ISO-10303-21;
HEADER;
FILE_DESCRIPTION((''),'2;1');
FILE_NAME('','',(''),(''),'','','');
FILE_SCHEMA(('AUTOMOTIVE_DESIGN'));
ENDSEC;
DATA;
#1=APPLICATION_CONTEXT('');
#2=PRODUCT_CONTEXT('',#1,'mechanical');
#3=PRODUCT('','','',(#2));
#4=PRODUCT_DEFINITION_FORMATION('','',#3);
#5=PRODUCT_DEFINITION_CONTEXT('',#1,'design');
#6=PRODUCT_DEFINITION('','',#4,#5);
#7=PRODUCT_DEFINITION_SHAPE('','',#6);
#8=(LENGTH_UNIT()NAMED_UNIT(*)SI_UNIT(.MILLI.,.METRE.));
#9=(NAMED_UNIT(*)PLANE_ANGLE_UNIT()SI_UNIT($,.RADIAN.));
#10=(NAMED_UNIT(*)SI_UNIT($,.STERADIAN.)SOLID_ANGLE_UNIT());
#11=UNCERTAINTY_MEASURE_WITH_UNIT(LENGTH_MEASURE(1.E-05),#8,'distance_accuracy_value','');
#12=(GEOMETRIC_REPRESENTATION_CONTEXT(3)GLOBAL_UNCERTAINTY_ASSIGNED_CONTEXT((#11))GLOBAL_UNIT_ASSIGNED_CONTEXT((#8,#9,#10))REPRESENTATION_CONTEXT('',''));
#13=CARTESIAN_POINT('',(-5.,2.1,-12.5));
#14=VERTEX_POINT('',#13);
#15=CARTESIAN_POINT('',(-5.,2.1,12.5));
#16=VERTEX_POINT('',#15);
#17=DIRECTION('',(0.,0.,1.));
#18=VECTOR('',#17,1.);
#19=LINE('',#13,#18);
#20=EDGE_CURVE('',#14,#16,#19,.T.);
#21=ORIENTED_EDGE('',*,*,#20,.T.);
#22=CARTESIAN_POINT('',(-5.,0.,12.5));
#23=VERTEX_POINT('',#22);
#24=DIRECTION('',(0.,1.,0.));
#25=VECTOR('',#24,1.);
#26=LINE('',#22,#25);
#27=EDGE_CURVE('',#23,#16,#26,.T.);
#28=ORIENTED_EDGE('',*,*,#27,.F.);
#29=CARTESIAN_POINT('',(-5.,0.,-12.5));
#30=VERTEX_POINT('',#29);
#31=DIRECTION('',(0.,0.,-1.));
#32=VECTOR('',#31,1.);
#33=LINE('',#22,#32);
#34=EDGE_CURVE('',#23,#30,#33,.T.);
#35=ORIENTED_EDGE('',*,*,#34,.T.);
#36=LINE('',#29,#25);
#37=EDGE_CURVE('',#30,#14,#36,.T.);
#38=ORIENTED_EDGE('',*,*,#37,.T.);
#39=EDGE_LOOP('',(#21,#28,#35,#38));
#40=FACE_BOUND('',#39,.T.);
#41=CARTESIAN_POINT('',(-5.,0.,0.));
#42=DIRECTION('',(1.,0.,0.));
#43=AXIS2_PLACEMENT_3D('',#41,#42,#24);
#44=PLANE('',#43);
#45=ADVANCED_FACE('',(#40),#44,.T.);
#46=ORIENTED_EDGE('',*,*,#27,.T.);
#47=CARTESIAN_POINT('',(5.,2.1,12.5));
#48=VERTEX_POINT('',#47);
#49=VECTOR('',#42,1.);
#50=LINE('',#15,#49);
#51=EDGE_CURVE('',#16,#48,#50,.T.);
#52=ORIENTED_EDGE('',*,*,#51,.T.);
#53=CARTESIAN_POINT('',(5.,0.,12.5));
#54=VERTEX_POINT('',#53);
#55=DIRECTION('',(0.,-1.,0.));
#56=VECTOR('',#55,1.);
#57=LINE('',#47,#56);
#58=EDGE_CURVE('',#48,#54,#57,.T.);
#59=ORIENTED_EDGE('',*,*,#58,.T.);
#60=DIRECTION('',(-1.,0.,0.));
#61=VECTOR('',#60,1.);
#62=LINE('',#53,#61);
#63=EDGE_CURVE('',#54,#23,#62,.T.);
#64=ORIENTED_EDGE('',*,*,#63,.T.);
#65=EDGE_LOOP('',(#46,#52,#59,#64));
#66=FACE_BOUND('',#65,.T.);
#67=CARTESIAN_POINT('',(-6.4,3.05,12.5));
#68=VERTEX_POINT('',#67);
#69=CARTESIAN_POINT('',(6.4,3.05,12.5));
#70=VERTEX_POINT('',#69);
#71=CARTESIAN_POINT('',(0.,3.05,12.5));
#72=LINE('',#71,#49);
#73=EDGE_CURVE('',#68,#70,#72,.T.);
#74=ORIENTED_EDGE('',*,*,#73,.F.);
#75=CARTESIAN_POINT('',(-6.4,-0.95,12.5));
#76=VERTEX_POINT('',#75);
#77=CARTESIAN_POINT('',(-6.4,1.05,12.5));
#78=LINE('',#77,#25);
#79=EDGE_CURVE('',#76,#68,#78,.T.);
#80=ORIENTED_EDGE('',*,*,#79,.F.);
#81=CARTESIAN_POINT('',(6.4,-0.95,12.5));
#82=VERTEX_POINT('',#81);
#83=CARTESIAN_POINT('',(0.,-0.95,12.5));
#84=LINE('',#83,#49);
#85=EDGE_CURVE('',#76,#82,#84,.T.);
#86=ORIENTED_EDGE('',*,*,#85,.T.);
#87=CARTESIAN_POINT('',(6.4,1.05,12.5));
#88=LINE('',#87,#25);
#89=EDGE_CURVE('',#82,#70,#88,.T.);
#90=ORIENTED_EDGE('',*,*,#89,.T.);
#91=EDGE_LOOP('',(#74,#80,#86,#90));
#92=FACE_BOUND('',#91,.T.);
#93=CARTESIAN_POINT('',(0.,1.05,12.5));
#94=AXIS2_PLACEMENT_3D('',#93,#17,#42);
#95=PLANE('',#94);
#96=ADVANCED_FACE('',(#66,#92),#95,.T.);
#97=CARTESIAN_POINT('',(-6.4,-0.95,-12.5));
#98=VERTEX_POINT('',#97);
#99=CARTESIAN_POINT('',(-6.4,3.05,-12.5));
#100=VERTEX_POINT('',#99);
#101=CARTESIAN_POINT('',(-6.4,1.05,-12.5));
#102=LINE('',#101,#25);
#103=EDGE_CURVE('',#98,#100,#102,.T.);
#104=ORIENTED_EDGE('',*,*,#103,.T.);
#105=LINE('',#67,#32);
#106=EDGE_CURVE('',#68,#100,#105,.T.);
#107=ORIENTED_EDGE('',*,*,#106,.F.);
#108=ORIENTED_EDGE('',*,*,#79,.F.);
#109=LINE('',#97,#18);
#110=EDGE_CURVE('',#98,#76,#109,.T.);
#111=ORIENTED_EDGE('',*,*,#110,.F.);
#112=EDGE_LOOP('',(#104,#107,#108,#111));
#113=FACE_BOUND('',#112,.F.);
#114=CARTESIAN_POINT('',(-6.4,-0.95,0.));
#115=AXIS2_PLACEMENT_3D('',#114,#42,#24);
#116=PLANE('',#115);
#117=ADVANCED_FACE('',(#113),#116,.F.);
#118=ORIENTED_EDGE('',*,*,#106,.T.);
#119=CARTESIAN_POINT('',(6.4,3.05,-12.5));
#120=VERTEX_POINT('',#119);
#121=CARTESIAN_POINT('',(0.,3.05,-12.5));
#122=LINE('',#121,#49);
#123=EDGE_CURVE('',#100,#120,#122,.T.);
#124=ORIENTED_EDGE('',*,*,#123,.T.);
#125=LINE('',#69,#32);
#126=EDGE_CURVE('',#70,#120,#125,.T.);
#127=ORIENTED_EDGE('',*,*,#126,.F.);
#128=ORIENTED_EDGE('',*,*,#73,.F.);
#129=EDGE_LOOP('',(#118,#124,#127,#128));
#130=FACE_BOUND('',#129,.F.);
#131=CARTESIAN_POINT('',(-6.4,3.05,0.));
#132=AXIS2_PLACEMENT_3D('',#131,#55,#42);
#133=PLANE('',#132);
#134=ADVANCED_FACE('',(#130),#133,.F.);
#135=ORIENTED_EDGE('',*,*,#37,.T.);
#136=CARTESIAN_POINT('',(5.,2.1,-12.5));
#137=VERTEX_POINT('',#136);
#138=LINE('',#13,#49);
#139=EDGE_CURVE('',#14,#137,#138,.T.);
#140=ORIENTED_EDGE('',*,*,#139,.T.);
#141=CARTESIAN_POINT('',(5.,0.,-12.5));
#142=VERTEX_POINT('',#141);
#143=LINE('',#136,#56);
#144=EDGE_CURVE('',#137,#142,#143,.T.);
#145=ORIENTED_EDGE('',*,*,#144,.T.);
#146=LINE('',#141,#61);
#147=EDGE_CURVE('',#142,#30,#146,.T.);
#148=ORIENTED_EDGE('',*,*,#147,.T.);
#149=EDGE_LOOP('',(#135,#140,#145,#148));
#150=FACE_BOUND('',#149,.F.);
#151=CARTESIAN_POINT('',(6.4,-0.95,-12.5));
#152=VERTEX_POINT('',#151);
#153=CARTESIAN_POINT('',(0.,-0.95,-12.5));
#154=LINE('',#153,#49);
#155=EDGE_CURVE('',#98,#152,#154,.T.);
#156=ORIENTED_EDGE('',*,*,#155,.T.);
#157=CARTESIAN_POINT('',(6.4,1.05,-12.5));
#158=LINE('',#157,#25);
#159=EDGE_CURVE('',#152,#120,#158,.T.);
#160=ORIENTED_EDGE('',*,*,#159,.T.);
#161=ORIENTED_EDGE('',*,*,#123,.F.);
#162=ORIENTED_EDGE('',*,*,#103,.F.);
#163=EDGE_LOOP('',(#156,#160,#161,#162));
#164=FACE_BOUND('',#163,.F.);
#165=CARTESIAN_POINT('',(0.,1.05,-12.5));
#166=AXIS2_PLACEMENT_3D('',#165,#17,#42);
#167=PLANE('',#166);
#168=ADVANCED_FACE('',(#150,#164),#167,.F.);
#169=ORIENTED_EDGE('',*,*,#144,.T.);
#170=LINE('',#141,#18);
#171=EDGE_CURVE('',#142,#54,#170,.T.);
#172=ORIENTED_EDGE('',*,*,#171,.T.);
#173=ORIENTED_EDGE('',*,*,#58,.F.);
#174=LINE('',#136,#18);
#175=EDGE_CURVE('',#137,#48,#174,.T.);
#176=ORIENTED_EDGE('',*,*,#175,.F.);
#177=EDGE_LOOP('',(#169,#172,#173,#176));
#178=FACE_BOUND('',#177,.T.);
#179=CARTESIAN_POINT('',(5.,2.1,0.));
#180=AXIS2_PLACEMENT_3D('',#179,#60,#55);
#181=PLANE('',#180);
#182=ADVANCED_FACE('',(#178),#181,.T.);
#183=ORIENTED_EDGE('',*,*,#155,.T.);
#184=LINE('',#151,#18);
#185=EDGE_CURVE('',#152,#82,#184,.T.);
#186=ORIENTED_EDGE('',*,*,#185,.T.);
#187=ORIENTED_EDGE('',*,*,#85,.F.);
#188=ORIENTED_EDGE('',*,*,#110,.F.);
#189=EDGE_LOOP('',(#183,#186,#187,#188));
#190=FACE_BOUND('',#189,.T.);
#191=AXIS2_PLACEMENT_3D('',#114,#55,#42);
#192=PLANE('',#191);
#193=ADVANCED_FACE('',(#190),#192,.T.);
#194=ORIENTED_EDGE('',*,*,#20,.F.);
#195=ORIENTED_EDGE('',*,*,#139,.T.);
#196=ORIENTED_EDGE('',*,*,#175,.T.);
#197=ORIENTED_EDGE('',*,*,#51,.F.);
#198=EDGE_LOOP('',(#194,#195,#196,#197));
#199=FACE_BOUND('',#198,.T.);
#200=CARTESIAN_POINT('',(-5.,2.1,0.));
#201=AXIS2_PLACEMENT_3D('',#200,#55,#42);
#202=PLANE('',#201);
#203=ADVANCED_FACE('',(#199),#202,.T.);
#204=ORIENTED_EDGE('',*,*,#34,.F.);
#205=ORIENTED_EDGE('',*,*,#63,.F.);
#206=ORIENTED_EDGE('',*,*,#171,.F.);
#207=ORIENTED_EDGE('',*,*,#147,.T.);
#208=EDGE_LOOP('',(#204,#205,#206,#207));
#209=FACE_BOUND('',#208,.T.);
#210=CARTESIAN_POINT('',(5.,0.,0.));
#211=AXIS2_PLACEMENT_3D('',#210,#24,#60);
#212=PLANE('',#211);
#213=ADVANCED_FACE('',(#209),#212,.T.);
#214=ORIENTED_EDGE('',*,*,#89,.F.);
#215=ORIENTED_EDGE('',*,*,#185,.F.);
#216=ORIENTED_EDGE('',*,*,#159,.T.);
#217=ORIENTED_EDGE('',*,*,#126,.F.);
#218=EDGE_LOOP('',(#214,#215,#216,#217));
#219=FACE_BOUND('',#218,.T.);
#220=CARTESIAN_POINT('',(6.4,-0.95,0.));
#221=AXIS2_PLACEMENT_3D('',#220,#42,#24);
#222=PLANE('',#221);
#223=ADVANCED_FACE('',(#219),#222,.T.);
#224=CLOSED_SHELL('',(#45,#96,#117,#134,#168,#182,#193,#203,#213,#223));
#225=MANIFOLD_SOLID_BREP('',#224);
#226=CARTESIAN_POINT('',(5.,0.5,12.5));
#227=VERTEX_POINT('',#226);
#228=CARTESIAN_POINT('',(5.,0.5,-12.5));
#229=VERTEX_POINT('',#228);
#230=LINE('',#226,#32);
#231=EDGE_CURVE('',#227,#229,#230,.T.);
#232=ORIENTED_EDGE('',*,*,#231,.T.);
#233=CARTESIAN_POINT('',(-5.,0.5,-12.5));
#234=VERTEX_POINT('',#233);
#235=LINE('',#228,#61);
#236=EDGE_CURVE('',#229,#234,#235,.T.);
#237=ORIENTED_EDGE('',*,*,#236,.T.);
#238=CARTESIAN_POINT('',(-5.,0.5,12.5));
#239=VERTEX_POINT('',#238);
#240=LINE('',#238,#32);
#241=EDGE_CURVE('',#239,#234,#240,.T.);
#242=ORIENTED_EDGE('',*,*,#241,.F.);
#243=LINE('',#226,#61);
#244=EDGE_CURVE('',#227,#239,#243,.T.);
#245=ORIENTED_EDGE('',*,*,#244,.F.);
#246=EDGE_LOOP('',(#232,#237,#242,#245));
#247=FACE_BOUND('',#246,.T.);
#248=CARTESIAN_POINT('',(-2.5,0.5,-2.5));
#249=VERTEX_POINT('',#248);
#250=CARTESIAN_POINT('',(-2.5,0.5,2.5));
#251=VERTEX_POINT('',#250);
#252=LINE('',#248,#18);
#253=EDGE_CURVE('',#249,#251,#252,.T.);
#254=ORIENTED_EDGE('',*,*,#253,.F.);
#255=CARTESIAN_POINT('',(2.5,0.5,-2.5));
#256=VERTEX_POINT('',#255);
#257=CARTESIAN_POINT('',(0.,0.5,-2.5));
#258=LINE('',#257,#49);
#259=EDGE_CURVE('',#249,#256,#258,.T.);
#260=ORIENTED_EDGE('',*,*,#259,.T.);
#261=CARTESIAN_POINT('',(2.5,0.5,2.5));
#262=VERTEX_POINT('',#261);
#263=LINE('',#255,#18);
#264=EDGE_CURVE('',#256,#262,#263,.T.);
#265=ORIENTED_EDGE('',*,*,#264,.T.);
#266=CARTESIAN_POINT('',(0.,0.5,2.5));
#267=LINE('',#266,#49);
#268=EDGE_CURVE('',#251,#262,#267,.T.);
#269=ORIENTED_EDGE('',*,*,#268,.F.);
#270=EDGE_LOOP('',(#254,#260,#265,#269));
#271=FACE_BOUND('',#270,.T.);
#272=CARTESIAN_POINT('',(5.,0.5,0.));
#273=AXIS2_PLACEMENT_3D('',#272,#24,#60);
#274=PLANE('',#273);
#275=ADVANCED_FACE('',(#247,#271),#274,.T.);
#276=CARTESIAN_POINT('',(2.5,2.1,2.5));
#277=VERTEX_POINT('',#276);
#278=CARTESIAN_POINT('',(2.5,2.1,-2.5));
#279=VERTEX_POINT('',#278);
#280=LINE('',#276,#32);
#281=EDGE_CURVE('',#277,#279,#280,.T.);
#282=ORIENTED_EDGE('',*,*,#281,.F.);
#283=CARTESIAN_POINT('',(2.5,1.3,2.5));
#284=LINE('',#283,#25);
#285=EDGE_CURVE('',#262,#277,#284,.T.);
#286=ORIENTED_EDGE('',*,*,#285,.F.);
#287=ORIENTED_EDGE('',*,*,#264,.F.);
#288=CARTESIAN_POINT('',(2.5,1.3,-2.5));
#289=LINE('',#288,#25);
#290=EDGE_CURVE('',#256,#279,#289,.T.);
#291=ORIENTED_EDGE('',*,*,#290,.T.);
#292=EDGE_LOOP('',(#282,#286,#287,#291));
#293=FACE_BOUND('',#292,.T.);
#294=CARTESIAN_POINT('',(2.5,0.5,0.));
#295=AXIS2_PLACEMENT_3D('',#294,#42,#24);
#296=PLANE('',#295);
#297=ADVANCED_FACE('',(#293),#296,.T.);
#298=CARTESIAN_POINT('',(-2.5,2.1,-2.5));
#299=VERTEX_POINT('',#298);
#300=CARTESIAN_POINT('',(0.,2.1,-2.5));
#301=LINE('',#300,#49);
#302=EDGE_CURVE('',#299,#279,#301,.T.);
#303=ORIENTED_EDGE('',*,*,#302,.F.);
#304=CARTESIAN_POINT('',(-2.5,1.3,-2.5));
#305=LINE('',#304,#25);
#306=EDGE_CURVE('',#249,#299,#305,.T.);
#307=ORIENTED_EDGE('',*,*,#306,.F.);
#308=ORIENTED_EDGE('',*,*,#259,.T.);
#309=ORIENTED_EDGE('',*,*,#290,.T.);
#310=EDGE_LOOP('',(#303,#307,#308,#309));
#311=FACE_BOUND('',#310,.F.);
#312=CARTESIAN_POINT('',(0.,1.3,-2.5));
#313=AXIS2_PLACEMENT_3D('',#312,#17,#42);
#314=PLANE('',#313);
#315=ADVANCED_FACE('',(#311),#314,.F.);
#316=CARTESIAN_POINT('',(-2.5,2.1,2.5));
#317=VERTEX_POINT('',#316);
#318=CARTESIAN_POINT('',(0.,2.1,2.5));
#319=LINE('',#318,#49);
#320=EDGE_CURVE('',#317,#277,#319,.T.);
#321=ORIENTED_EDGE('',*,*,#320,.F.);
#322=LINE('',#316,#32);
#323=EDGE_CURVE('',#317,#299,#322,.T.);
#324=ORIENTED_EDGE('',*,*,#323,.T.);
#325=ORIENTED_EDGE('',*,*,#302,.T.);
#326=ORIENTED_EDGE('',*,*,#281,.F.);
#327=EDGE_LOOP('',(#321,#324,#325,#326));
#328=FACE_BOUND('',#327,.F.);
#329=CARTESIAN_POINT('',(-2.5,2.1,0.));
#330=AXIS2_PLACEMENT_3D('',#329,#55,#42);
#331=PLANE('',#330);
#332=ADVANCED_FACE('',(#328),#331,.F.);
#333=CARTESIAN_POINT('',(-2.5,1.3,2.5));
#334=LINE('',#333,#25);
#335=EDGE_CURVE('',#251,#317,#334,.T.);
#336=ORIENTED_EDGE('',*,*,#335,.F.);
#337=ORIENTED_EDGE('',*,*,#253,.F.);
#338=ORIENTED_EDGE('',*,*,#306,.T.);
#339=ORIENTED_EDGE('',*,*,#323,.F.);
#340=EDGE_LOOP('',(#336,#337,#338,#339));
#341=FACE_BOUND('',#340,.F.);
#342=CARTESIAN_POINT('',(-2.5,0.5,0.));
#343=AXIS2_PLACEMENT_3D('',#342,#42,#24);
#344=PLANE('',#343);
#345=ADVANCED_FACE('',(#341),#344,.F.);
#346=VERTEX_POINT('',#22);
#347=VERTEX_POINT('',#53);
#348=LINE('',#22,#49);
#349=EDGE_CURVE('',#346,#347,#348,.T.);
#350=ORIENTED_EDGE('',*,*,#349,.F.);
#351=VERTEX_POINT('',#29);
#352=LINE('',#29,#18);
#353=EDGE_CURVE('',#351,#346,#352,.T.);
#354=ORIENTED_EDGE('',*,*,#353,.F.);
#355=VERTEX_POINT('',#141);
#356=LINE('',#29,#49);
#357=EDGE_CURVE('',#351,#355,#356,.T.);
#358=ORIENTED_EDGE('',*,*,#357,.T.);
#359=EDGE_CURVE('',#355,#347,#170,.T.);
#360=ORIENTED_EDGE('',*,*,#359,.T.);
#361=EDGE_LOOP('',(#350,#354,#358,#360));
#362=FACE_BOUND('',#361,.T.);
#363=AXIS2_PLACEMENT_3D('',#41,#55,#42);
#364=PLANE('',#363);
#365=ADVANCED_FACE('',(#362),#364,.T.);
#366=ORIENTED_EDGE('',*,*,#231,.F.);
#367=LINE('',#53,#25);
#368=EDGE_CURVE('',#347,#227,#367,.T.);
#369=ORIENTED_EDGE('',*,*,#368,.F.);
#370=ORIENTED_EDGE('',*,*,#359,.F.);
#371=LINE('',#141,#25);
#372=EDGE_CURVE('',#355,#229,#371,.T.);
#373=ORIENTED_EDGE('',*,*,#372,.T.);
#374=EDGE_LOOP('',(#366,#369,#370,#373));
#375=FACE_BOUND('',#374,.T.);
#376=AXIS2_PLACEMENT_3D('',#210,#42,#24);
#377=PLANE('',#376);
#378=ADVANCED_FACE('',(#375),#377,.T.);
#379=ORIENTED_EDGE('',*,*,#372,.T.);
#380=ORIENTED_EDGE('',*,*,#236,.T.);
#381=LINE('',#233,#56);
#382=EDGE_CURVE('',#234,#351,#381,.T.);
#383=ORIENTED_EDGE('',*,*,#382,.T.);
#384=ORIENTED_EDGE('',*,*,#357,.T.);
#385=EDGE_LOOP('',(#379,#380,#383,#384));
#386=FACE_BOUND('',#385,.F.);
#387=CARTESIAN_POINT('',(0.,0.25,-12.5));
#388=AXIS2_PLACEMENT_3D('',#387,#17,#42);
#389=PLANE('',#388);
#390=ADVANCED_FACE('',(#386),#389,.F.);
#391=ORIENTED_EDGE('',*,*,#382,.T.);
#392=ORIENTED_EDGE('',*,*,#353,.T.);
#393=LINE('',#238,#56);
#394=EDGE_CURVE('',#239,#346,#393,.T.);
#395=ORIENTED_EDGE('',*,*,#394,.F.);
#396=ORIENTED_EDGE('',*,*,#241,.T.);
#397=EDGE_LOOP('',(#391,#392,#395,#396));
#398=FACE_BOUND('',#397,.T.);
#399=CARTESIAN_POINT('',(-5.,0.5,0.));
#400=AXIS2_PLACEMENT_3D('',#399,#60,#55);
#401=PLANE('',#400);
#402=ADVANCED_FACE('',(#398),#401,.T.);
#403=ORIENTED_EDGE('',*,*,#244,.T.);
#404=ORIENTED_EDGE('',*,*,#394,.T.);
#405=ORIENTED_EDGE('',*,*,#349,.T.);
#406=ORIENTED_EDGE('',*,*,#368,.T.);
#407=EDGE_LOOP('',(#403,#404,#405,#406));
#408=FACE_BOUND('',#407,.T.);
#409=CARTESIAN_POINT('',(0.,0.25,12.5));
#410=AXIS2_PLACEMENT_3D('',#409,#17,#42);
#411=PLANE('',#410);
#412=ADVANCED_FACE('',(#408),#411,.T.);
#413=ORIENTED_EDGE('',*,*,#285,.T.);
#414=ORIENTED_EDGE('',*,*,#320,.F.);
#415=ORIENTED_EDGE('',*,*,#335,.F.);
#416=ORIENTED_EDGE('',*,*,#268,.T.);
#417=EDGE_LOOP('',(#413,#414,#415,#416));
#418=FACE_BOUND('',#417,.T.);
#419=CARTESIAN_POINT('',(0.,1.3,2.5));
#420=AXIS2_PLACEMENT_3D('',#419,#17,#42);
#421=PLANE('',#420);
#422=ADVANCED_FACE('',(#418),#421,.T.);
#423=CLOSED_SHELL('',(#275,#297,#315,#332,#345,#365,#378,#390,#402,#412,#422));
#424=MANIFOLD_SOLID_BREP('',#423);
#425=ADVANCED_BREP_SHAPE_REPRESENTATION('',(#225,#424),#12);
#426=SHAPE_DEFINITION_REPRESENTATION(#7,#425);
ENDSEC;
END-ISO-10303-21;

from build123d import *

# Parameters (mm, degrees)
F1_DEPTH = 12.5
F0_W     = 5
F0_H     = 1.6
F2_DEPTH = 2.5
F3_W     = 12.8
F3_H     = 4
F4_DEPTH = 12.5


with BuildPart() as f1:
    # F0 (on Top) → F1 (new body, symmetric)
    with BuildSketch(Plane.XY):
        Polygon((-2.5, 0.5), (-5, 0.5), (-5, 0), (5, 0), (5, 0.5), (2.5, 0.5), align=None)
    extrude(amount=F1_DEPTH, both=True)

    # F0 (on Top) → F2 (join, symmetric)
    with BuildSketch(Plane.XY):
        with Locations((0, 1.3)):
            Rectangle(F0_W, F0_H)
    extrude(amount=F2_DEPTH, both=True)


with BuildPart() as f4:
    # F3 (on Top) → F4 (new body, symmetric)
    with BuildSketch(Plane.XY):
        with Locations((0, 1.05)):
            Rectangle(F3_W, F3_H)
        Polygon((-5, 1.05), (-5, 2.1), (5, 2.1), (5, 1.05), (5, 0), (-5, 0), align=None, mode=Mode.SUBTRACT)
    extrude(amount=F4_DEPTH, both=True)


solid = Compound([f1.part, f4.part])
